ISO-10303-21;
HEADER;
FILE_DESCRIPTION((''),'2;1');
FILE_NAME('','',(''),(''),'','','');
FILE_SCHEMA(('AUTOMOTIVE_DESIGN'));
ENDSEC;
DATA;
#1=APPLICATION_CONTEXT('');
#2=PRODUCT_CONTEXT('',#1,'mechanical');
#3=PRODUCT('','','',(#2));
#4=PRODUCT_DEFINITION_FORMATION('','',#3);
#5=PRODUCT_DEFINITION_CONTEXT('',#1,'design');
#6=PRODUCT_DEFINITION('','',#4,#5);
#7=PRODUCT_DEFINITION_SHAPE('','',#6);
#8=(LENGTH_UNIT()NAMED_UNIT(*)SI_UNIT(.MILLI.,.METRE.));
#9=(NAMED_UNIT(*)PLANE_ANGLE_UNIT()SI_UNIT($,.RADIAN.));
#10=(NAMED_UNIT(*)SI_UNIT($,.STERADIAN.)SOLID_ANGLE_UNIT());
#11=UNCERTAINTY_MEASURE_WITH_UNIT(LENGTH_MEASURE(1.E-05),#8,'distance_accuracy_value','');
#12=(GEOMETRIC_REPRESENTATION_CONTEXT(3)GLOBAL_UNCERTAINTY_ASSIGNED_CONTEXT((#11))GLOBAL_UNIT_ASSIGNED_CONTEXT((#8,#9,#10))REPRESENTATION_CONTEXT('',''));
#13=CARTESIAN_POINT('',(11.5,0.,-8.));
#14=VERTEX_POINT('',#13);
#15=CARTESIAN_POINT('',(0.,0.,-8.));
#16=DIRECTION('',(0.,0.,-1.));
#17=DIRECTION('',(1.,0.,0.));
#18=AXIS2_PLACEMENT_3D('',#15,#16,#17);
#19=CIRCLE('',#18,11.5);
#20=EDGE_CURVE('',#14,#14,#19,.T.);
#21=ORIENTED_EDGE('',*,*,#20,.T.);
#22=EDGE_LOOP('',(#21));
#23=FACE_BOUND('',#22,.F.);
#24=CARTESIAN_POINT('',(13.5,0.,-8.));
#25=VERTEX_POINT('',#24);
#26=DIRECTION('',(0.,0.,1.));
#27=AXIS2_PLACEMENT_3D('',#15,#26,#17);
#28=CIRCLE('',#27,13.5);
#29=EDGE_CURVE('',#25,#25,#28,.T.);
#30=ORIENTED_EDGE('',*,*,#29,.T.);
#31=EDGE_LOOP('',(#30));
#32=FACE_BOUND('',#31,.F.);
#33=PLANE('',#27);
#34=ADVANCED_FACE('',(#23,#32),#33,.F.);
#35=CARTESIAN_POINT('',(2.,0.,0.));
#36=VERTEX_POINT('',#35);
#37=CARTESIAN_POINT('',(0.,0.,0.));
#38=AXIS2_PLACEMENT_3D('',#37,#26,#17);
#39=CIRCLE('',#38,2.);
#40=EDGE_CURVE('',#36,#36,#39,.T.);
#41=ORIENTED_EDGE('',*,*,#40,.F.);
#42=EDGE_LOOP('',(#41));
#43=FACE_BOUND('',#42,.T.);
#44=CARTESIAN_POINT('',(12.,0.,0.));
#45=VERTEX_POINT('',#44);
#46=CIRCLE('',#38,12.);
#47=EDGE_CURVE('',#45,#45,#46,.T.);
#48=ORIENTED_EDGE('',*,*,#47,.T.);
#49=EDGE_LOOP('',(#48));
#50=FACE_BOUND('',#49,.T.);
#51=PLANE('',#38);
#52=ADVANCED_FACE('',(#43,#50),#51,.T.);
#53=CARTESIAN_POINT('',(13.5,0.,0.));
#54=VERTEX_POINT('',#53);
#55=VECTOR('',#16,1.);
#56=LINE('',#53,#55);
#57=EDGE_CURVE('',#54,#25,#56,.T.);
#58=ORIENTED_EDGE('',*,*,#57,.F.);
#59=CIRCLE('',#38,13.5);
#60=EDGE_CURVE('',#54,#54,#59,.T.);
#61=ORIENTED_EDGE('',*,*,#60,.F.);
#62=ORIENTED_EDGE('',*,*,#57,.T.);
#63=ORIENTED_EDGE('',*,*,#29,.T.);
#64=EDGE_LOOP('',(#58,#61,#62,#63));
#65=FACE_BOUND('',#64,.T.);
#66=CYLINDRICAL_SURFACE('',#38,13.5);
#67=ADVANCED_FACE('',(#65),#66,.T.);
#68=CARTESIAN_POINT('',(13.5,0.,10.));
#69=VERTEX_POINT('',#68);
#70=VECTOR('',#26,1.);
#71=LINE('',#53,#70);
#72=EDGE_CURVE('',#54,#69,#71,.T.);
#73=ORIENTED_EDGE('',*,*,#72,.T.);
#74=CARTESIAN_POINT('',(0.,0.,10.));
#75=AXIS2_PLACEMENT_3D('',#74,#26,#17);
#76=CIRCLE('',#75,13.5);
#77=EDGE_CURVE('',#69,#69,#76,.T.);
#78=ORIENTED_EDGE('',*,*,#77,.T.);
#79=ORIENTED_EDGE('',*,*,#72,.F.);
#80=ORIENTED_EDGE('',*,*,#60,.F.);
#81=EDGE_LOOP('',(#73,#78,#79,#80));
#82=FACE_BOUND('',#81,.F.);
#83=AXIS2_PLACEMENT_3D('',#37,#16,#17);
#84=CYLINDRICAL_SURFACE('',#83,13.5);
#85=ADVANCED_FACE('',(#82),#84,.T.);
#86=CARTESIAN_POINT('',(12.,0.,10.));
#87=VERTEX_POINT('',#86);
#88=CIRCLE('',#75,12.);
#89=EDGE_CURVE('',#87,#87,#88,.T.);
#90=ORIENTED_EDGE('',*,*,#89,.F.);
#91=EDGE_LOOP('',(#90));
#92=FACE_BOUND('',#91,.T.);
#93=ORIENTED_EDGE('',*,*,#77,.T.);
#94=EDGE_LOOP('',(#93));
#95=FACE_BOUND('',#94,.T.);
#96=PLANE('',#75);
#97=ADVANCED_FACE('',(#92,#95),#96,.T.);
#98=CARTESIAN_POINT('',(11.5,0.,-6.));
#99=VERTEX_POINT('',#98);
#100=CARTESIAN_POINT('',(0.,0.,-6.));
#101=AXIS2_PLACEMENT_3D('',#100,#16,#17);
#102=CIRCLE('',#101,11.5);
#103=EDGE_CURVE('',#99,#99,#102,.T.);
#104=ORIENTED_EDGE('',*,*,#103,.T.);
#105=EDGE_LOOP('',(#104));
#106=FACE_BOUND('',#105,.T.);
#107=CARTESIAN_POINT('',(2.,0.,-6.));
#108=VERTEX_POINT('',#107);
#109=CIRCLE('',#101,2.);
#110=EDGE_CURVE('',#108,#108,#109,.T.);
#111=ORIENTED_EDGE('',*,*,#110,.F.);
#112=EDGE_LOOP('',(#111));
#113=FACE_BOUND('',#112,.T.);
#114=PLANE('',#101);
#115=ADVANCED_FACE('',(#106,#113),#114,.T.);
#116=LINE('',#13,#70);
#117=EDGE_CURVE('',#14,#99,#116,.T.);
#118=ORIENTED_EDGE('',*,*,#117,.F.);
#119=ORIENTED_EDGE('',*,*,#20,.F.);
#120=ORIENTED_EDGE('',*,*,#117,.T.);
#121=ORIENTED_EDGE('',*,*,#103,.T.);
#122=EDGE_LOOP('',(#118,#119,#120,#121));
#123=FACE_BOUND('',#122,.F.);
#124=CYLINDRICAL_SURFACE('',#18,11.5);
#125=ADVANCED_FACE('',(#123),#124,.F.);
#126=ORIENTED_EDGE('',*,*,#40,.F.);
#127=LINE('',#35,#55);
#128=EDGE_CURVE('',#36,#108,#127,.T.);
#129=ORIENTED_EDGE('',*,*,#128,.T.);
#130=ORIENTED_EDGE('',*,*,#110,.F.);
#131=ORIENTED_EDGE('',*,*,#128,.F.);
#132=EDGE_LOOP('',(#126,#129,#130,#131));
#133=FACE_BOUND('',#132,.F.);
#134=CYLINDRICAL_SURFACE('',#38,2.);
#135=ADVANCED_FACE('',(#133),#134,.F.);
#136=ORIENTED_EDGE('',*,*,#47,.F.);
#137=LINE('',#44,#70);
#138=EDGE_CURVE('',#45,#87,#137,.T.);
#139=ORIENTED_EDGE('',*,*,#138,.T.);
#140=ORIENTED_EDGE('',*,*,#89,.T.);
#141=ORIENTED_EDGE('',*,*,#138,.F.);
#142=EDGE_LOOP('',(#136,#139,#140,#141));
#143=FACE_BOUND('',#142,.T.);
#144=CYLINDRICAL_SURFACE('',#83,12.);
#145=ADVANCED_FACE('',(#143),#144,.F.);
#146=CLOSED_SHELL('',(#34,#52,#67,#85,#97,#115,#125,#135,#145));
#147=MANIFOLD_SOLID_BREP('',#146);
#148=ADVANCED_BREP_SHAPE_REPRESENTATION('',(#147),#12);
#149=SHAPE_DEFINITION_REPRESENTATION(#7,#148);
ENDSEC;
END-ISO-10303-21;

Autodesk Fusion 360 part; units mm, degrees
sketch "Skizze1" plane through (0, 0, 0) normal (0, 0, 1) x (1, 0, 0)
  circle A0 centre (0, 0) radius 13.5
  circle A1 centre (0, 0) radius 12
  circle A2 centre (0, 0) radius 2
  dimension "d1" = 27
  dimension "d2" = 24
  dimension "d3" = 4
extrude "Extrusion1" add sketch "Skizze1" along normal blind 10 contours A0
extrude "Extrusion2" add sketch "Skizze1" against normal blind 8 contours A0 | A1
sketch "Skizze2" plane through (0, 0, -8) normal (0, 0, -1) x (1, 0, 0)
  circle A0 centre (0, 0) radius 2
  circle A1 centre (0, 0) radius 13.5
  circle A2 centre (0, 0) radius 13.5
  circle A3 centre (0, 0) radius 11.5
  dimension "d8" = -2
extrude "Extrusion3" cut sketch "Skizze2" against normal blind 2 contours A3
